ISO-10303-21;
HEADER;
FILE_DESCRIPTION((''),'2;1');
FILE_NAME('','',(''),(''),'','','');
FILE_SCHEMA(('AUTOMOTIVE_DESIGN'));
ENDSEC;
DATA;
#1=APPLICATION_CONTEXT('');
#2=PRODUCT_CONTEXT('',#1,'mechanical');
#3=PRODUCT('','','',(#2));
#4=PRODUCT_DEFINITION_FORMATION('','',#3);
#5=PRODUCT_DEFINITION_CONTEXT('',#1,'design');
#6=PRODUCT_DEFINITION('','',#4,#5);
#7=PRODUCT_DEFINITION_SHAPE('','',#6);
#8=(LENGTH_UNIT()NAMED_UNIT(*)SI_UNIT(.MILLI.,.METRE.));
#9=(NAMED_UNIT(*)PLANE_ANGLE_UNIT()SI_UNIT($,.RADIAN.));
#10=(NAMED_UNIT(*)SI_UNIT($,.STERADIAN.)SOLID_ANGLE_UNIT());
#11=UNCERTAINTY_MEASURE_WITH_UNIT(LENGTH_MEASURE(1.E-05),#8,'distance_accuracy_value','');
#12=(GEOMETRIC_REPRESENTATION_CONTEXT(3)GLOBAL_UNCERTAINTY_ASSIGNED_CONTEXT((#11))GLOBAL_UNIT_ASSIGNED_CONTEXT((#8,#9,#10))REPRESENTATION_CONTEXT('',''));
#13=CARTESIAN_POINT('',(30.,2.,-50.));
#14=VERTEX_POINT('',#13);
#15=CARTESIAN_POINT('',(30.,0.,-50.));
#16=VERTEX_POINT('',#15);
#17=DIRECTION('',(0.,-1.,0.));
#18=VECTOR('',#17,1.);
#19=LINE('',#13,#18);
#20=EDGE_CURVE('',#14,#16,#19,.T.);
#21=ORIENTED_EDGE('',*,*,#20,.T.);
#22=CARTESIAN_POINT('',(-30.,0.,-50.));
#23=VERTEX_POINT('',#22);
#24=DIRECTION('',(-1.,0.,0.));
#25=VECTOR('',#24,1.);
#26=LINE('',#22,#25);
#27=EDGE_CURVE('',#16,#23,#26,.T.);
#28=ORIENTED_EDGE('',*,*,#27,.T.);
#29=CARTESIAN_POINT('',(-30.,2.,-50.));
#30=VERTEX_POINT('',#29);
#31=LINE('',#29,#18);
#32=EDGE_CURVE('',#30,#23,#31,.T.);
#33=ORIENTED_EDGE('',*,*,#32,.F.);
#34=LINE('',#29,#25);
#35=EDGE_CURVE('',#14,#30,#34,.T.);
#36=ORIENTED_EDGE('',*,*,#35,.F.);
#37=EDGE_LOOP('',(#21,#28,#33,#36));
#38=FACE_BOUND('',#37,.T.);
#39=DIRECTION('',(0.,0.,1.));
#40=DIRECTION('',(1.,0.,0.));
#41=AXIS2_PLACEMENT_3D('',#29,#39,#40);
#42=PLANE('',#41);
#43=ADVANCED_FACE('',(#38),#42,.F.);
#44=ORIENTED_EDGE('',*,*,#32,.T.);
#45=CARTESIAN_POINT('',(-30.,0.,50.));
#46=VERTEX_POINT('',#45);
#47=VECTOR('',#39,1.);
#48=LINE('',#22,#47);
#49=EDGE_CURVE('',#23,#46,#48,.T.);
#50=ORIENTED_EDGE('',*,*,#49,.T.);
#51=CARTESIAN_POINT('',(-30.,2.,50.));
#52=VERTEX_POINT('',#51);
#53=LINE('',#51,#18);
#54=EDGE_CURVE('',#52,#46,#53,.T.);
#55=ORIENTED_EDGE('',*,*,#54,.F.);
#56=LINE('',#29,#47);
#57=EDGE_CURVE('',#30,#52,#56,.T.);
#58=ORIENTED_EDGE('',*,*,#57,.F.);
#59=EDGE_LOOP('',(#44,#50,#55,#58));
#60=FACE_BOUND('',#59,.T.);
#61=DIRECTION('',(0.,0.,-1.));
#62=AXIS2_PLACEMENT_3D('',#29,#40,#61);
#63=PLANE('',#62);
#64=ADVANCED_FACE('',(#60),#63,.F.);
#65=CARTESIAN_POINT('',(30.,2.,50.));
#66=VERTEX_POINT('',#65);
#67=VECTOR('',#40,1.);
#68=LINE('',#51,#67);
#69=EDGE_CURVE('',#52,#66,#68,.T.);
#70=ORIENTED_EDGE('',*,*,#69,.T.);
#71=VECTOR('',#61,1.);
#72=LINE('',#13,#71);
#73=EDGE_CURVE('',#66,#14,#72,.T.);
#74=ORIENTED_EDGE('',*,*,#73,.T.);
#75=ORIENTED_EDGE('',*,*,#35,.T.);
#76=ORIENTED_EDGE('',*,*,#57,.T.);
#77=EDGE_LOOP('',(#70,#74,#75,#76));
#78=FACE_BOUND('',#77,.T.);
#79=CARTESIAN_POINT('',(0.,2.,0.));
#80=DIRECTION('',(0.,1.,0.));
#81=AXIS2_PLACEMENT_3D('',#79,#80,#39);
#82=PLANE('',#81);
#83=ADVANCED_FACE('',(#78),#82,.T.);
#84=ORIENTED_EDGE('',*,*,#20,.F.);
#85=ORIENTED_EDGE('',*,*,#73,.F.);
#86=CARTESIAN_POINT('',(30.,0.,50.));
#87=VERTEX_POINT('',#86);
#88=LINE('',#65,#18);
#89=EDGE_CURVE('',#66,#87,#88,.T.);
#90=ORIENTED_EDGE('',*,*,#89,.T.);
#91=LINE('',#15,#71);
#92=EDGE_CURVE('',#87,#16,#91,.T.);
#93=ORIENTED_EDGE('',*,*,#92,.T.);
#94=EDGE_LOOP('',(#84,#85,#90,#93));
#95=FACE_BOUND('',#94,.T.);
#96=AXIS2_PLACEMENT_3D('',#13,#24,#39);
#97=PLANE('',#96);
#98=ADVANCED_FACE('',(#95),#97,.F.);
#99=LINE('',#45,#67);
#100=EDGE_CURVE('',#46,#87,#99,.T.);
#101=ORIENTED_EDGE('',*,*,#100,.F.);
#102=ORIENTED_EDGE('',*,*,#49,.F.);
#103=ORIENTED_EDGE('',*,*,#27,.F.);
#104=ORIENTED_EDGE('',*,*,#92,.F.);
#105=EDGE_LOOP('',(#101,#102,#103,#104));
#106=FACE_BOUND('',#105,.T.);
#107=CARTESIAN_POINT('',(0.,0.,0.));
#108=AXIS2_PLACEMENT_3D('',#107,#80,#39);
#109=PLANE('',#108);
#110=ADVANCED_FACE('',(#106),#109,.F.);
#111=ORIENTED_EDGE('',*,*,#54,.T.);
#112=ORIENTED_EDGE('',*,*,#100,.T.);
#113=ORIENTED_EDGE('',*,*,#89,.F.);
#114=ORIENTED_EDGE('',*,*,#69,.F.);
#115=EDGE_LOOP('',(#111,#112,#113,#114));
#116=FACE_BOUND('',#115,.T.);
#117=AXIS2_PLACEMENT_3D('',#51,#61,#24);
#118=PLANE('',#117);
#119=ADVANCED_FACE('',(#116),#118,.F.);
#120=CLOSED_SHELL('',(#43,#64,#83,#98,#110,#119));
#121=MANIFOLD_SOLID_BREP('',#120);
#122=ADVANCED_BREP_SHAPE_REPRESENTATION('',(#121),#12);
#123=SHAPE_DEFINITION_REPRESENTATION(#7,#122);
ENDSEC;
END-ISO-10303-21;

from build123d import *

# Parameters (mm, degrees)
SKETCH1_W           = 60
SKETCH1_H           = 100
BOSS_EXTRUDE1_DEPTH = 2


with BuildPart() as part:
    # Sketch1 → Boss-Extrude1 (new body)
    with BuildSketch(Plane(origin=(0, 0, 0), x_dir=(1, 0, 0), z_dir=(0, 1, 0))):
        Rectangle(SKETCH1_W, SKETCH1_H)
    extrude(amount=BOSS_EXTRUDE1_DEPTH)


solid = part.part
